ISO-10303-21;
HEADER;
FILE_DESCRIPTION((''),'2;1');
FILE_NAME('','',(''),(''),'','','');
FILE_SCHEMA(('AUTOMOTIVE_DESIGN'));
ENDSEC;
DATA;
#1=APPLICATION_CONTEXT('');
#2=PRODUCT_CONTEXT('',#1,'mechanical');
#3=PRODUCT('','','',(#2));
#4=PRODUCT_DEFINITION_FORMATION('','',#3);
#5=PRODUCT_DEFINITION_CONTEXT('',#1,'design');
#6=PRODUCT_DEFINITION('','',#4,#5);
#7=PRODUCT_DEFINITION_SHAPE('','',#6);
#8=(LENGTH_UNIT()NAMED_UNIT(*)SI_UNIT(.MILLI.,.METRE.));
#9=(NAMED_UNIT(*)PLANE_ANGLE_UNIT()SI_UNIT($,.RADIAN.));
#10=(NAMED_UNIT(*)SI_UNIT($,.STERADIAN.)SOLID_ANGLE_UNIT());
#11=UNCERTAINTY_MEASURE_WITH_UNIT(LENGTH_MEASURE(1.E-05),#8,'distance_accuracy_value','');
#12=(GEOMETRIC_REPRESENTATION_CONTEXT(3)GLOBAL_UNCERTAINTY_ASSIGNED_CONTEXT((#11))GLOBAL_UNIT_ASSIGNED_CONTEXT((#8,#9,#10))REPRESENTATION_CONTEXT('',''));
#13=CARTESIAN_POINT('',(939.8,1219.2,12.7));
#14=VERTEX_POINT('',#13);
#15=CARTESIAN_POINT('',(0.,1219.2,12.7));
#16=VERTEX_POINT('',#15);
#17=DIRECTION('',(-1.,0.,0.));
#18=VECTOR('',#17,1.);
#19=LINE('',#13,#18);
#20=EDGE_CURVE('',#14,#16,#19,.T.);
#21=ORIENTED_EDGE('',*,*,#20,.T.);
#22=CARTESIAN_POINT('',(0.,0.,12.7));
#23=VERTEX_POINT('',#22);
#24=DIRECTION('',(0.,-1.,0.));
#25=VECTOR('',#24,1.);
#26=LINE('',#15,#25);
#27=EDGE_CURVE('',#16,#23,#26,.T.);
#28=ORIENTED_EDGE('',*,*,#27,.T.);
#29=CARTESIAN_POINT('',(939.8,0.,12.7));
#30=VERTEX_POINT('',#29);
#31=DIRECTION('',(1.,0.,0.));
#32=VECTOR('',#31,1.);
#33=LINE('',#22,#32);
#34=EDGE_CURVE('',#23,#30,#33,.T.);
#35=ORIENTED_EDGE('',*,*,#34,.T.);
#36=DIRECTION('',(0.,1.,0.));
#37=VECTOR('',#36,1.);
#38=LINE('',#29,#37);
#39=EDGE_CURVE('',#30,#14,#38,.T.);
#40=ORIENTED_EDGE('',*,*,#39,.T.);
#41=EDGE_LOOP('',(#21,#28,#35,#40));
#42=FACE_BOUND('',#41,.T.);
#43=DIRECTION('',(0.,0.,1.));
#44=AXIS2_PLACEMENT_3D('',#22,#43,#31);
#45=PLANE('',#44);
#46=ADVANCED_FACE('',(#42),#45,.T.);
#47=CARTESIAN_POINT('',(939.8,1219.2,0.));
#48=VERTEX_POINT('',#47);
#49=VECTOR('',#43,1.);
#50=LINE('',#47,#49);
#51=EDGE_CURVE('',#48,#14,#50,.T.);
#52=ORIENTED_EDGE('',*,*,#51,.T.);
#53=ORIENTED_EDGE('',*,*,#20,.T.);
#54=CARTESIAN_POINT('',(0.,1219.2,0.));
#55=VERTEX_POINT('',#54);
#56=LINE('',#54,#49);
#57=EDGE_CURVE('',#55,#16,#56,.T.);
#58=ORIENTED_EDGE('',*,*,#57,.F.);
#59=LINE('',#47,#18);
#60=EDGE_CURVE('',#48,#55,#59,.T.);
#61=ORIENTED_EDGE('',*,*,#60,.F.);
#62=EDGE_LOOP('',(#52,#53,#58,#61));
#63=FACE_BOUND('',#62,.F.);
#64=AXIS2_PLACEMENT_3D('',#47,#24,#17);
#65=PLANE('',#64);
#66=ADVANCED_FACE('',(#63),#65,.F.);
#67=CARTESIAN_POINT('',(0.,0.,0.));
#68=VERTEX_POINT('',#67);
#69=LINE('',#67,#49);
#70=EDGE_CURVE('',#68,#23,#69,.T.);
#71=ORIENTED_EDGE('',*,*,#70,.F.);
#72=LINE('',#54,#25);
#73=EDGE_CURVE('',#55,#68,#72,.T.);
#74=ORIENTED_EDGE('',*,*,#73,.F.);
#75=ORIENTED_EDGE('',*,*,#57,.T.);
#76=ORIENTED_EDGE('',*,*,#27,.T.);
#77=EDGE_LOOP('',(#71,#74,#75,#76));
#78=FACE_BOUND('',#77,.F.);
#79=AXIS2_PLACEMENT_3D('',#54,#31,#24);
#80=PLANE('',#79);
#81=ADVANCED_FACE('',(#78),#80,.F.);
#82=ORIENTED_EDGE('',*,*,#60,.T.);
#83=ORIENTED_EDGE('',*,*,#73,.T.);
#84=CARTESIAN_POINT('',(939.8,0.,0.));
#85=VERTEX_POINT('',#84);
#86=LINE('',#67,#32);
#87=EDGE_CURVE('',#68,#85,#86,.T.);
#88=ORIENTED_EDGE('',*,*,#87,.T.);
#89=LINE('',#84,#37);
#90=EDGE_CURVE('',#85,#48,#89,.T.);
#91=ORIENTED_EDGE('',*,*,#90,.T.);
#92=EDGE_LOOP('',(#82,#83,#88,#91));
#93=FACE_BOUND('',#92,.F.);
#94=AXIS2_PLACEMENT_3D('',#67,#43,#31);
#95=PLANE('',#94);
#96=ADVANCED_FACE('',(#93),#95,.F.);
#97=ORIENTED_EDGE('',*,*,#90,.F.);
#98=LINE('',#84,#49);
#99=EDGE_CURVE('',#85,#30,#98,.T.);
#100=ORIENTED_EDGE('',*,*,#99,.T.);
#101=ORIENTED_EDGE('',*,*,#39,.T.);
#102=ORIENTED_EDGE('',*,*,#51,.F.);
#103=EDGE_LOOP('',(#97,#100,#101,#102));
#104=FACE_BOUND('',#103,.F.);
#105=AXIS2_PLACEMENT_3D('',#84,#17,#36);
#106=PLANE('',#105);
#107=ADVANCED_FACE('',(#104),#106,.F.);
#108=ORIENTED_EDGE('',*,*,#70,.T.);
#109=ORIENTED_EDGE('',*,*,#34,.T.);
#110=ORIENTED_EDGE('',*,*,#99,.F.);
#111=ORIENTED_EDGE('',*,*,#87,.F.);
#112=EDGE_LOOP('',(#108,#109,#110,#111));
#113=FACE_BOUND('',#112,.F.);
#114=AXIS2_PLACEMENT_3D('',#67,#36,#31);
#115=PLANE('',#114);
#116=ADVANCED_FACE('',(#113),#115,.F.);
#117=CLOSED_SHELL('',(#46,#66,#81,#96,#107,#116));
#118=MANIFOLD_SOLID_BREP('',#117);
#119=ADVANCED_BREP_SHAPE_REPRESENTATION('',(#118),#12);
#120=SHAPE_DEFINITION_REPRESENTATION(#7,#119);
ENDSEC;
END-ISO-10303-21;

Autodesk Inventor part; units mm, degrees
ref_plane "YZ Plane" through (0, 0, 0) normal (1, 0, 0) x (0, 1, 0)
ref_plane "XZ Plane" through (0, 0, 0) normal (0, 1, 0) x (-1, 0, 0)
ref_plane "XY Plane" through (0, 0, 0) normal (0, 0, 1) x (1, 0, 0)
sketch "Sketch1" plane through (0, 0, 0) normal (0, 0, 1) x (1, 0, 0)
  line L0 (0, 0) -> (939.8, 0)
  line L1 (939.8, 0) -> (939.8, 1219.2)
  line L2 (939.8, 1219.2) -> (0, 1219.2)
  line L3 (0, 1219.2) -> (0, 0)
  dimension "d2" = 1219.2
  dimension "d3" = 939.8
extrude "Extrusion1" add sketch "Sketch1" along normal blind 12.7
properties part number "OSB_For_Walls_With_Dimensions_37_x_48_Inches" material "Wood (Birch)"
